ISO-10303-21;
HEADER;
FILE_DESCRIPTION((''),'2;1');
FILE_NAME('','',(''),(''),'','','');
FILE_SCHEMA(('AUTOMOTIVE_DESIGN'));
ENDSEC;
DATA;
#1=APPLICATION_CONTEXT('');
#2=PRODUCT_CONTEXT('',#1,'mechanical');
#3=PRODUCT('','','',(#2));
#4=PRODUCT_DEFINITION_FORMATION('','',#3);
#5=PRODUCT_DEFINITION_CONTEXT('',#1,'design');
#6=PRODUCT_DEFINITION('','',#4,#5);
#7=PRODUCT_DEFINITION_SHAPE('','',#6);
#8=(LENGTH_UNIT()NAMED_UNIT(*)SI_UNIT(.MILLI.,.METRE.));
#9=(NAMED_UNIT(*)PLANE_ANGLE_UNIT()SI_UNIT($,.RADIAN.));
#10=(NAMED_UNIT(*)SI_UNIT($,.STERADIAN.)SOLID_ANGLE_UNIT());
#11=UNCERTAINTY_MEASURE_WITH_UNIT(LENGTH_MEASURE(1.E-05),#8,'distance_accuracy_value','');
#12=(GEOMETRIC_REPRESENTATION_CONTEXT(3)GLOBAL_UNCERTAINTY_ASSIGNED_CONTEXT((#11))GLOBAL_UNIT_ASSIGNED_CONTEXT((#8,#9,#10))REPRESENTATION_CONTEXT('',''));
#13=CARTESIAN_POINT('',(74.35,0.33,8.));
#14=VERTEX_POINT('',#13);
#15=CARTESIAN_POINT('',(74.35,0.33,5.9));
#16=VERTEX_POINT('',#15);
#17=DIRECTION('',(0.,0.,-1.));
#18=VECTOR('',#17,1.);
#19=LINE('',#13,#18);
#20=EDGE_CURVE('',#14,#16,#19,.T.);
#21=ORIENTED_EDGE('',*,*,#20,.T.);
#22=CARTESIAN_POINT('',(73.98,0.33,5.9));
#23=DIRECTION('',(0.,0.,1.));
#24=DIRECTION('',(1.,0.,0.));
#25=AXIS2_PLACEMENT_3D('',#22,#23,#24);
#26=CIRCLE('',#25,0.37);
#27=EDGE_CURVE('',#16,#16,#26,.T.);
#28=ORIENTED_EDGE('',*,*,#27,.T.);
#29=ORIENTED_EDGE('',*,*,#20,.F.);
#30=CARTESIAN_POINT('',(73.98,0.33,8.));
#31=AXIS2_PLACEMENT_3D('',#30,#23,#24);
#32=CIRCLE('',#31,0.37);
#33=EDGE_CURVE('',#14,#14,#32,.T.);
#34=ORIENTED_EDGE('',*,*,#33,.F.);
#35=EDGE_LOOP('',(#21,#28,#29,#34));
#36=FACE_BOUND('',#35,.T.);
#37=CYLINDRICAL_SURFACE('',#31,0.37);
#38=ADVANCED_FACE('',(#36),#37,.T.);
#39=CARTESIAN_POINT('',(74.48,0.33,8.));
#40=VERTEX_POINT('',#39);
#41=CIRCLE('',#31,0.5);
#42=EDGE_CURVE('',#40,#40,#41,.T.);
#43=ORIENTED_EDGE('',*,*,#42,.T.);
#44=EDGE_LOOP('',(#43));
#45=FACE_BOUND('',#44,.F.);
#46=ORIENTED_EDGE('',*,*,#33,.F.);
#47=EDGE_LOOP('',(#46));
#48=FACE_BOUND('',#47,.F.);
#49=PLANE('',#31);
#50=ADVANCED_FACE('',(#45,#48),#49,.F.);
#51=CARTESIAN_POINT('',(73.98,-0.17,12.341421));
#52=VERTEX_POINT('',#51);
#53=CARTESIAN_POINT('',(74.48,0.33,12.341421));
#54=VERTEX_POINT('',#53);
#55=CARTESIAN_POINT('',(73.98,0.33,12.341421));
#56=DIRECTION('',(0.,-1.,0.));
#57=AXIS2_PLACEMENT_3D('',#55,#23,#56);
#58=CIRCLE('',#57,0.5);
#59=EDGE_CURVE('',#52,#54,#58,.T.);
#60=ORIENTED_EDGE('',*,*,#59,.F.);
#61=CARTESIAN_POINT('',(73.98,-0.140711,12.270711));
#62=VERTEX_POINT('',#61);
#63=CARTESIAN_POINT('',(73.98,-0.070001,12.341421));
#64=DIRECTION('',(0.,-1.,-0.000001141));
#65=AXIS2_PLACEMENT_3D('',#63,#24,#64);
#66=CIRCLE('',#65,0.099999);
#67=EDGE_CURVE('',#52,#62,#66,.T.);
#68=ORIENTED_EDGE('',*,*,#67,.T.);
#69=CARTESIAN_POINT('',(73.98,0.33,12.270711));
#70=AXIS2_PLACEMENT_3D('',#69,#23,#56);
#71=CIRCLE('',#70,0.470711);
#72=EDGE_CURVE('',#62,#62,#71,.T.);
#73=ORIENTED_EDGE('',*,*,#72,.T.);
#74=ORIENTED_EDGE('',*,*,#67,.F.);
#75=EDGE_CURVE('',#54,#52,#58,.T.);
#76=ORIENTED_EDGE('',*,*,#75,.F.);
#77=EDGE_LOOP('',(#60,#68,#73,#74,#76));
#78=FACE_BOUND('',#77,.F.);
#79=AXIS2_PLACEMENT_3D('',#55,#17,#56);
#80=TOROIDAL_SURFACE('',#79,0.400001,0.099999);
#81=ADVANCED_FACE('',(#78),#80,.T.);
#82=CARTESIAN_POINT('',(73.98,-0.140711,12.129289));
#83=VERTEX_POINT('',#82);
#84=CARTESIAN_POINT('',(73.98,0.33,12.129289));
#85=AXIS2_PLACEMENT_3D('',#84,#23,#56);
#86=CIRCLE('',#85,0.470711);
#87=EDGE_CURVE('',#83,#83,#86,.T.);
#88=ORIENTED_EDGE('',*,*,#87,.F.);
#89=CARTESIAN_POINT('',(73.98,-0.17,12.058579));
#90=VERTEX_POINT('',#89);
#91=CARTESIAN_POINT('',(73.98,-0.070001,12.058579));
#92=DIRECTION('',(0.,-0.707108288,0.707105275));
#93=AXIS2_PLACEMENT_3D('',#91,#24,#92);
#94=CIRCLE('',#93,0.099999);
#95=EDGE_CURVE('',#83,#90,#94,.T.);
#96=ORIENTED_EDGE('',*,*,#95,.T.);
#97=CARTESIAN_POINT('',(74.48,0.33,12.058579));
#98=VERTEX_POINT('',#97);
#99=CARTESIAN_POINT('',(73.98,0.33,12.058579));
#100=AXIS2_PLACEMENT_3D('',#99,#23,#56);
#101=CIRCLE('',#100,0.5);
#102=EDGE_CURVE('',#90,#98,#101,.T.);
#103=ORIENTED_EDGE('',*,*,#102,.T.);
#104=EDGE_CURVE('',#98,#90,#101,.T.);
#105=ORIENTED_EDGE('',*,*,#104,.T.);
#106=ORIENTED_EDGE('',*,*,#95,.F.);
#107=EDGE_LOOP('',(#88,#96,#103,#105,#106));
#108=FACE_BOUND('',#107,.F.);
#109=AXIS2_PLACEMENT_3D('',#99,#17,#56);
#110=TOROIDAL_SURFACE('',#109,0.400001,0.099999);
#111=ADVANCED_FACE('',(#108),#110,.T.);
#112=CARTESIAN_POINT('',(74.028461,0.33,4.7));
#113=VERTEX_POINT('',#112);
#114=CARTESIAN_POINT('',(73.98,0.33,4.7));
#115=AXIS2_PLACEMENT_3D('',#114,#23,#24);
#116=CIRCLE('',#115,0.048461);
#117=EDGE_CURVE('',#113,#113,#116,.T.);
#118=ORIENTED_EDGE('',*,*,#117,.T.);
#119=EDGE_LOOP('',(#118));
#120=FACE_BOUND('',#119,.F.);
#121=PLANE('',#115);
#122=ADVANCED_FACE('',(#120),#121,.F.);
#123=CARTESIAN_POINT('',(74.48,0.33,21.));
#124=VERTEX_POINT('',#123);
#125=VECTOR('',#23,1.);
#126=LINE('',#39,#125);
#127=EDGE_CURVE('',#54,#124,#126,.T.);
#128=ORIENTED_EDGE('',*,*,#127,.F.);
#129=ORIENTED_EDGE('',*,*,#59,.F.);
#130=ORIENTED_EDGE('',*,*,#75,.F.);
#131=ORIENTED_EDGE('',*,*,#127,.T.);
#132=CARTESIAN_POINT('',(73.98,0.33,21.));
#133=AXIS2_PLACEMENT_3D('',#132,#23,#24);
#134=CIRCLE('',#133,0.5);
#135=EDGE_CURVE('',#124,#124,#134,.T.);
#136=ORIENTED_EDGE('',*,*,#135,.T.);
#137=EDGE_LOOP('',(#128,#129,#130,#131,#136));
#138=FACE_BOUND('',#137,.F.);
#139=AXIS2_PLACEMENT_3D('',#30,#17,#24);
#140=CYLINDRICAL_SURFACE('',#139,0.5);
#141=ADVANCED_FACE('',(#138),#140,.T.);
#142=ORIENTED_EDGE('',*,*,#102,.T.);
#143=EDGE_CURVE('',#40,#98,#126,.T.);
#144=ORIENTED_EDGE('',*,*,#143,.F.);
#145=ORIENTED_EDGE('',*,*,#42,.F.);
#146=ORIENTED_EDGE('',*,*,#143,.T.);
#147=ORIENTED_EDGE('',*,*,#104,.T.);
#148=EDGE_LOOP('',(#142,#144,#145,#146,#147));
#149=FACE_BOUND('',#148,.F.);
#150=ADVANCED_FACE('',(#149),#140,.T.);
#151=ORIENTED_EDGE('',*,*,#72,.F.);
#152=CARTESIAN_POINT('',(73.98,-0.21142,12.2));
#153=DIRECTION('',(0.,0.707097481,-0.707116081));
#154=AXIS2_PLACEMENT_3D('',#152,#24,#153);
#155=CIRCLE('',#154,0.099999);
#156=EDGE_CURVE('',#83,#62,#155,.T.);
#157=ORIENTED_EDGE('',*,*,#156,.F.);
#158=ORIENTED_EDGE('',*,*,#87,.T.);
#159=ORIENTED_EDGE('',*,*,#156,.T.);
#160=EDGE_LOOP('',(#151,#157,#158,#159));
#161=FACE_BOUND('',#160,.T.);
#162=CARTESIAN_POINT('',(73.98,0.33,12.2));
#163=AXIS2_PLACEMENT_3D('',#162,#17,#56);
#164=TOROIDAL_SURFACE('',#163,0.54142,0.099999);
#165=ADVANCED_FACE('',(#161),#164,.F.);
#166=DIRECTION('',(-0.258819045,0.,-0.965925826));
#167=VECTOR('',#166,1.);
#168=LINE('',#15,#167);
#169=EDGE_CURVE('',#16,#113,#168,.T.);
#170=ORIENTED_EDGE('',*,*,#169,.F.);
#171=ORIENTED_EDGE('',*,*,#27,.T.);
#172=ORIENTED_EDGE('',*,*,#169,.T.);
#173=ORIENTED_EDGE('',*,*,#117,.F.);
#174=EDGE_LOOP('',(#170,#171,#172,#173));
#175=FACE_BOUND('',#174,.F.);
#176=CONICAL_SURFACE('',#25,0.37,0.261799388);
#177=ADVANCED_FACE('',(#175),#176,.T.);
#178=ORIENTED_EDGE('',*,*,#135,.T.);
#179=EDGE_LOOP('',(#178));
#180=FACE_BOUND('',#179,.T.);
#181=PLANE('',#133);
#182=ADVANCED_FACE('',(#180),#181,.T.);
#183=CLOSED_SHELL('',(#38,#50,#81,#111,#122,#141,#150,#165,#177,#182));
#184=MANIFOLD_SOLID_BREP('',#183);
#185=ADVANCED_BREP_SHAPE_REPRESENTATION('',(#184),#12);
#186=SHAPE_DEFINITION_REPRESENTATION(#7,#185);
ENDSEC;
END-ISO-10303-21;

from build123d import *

# Parameters (mm, degrees)
SKETCH037_R      = 0.5
PAD003_DEPTH     = 13
SKETCH038_R      = 0.37
PAD004_DEPTH     = 3.3
CHAMFER004_ANGLE = 15
CHAMFER004_SIZE  = 1.2


with BuildPart() as part:
    # Sketch037 → Pad003 (new body)
    with BuildSketch(Plane.XY):
        Circle(SKETCH037_R)
    extrude(amount=PAD003_DEPTH)

    # Sketch048 → Groove (revolve, cut)
    with BuildSketch(Plane.YZ):
        with BuildLine():
            ThreePointArc((-0.5, 4.341421), (-0.492388, 4.303153), (-0.470711, 4.270711))
            ThreePointArc((-0.470711, 4.129289), (-0.441421, 4.2), (-0.470711, 4.270711))
            ThreePointArc((-0.470711, 4.129289), (-0.492388, 4.096847), (-0.5, 4.058579))
            Line((-0.5, 4.341421), (-0.5, 4.058579))
        make_face()
    revolve(axis=Axis((0, 0, 0), (0, 0, 1)), mode=Mode.SUBTRACT)

    # Sketch038 → Pad004 (join)
    with BuildSketch(Plane.XY):
        Circle(SKETCH038_R)
    extrude(amount=-PAD004_DEPTH)

    # Chamfer004
    chamfer004_edges = [part.edges().sort_by_distance(p)[0] for p in [
        (-0.37, 0, -3.3),
    ]]
    chamfer004_side = part.faces().sort_by_distance((-0.37, 0, -1.65))[0]
    chamfer(chamfer004_edges, length=CHAMFER004_SIZE, angle=CHAMFER004_ANGLE, reference=chamfer004_side)


with BuildPart() as part_1:
    # Body002 placement: moved
    add(part.part.moved(Location((72, -1, 8))))


with BuildPart() as part_2:
    # Clone011 placement: moved
    add(part_1.part.moved(Location((-72, 1, -8))))


with BuildPart() as part_3:
    # Body018 placement: moved
    add(part_2.part.moved(Location((73.98, 0.33, 8))))


solid = part_3.part
